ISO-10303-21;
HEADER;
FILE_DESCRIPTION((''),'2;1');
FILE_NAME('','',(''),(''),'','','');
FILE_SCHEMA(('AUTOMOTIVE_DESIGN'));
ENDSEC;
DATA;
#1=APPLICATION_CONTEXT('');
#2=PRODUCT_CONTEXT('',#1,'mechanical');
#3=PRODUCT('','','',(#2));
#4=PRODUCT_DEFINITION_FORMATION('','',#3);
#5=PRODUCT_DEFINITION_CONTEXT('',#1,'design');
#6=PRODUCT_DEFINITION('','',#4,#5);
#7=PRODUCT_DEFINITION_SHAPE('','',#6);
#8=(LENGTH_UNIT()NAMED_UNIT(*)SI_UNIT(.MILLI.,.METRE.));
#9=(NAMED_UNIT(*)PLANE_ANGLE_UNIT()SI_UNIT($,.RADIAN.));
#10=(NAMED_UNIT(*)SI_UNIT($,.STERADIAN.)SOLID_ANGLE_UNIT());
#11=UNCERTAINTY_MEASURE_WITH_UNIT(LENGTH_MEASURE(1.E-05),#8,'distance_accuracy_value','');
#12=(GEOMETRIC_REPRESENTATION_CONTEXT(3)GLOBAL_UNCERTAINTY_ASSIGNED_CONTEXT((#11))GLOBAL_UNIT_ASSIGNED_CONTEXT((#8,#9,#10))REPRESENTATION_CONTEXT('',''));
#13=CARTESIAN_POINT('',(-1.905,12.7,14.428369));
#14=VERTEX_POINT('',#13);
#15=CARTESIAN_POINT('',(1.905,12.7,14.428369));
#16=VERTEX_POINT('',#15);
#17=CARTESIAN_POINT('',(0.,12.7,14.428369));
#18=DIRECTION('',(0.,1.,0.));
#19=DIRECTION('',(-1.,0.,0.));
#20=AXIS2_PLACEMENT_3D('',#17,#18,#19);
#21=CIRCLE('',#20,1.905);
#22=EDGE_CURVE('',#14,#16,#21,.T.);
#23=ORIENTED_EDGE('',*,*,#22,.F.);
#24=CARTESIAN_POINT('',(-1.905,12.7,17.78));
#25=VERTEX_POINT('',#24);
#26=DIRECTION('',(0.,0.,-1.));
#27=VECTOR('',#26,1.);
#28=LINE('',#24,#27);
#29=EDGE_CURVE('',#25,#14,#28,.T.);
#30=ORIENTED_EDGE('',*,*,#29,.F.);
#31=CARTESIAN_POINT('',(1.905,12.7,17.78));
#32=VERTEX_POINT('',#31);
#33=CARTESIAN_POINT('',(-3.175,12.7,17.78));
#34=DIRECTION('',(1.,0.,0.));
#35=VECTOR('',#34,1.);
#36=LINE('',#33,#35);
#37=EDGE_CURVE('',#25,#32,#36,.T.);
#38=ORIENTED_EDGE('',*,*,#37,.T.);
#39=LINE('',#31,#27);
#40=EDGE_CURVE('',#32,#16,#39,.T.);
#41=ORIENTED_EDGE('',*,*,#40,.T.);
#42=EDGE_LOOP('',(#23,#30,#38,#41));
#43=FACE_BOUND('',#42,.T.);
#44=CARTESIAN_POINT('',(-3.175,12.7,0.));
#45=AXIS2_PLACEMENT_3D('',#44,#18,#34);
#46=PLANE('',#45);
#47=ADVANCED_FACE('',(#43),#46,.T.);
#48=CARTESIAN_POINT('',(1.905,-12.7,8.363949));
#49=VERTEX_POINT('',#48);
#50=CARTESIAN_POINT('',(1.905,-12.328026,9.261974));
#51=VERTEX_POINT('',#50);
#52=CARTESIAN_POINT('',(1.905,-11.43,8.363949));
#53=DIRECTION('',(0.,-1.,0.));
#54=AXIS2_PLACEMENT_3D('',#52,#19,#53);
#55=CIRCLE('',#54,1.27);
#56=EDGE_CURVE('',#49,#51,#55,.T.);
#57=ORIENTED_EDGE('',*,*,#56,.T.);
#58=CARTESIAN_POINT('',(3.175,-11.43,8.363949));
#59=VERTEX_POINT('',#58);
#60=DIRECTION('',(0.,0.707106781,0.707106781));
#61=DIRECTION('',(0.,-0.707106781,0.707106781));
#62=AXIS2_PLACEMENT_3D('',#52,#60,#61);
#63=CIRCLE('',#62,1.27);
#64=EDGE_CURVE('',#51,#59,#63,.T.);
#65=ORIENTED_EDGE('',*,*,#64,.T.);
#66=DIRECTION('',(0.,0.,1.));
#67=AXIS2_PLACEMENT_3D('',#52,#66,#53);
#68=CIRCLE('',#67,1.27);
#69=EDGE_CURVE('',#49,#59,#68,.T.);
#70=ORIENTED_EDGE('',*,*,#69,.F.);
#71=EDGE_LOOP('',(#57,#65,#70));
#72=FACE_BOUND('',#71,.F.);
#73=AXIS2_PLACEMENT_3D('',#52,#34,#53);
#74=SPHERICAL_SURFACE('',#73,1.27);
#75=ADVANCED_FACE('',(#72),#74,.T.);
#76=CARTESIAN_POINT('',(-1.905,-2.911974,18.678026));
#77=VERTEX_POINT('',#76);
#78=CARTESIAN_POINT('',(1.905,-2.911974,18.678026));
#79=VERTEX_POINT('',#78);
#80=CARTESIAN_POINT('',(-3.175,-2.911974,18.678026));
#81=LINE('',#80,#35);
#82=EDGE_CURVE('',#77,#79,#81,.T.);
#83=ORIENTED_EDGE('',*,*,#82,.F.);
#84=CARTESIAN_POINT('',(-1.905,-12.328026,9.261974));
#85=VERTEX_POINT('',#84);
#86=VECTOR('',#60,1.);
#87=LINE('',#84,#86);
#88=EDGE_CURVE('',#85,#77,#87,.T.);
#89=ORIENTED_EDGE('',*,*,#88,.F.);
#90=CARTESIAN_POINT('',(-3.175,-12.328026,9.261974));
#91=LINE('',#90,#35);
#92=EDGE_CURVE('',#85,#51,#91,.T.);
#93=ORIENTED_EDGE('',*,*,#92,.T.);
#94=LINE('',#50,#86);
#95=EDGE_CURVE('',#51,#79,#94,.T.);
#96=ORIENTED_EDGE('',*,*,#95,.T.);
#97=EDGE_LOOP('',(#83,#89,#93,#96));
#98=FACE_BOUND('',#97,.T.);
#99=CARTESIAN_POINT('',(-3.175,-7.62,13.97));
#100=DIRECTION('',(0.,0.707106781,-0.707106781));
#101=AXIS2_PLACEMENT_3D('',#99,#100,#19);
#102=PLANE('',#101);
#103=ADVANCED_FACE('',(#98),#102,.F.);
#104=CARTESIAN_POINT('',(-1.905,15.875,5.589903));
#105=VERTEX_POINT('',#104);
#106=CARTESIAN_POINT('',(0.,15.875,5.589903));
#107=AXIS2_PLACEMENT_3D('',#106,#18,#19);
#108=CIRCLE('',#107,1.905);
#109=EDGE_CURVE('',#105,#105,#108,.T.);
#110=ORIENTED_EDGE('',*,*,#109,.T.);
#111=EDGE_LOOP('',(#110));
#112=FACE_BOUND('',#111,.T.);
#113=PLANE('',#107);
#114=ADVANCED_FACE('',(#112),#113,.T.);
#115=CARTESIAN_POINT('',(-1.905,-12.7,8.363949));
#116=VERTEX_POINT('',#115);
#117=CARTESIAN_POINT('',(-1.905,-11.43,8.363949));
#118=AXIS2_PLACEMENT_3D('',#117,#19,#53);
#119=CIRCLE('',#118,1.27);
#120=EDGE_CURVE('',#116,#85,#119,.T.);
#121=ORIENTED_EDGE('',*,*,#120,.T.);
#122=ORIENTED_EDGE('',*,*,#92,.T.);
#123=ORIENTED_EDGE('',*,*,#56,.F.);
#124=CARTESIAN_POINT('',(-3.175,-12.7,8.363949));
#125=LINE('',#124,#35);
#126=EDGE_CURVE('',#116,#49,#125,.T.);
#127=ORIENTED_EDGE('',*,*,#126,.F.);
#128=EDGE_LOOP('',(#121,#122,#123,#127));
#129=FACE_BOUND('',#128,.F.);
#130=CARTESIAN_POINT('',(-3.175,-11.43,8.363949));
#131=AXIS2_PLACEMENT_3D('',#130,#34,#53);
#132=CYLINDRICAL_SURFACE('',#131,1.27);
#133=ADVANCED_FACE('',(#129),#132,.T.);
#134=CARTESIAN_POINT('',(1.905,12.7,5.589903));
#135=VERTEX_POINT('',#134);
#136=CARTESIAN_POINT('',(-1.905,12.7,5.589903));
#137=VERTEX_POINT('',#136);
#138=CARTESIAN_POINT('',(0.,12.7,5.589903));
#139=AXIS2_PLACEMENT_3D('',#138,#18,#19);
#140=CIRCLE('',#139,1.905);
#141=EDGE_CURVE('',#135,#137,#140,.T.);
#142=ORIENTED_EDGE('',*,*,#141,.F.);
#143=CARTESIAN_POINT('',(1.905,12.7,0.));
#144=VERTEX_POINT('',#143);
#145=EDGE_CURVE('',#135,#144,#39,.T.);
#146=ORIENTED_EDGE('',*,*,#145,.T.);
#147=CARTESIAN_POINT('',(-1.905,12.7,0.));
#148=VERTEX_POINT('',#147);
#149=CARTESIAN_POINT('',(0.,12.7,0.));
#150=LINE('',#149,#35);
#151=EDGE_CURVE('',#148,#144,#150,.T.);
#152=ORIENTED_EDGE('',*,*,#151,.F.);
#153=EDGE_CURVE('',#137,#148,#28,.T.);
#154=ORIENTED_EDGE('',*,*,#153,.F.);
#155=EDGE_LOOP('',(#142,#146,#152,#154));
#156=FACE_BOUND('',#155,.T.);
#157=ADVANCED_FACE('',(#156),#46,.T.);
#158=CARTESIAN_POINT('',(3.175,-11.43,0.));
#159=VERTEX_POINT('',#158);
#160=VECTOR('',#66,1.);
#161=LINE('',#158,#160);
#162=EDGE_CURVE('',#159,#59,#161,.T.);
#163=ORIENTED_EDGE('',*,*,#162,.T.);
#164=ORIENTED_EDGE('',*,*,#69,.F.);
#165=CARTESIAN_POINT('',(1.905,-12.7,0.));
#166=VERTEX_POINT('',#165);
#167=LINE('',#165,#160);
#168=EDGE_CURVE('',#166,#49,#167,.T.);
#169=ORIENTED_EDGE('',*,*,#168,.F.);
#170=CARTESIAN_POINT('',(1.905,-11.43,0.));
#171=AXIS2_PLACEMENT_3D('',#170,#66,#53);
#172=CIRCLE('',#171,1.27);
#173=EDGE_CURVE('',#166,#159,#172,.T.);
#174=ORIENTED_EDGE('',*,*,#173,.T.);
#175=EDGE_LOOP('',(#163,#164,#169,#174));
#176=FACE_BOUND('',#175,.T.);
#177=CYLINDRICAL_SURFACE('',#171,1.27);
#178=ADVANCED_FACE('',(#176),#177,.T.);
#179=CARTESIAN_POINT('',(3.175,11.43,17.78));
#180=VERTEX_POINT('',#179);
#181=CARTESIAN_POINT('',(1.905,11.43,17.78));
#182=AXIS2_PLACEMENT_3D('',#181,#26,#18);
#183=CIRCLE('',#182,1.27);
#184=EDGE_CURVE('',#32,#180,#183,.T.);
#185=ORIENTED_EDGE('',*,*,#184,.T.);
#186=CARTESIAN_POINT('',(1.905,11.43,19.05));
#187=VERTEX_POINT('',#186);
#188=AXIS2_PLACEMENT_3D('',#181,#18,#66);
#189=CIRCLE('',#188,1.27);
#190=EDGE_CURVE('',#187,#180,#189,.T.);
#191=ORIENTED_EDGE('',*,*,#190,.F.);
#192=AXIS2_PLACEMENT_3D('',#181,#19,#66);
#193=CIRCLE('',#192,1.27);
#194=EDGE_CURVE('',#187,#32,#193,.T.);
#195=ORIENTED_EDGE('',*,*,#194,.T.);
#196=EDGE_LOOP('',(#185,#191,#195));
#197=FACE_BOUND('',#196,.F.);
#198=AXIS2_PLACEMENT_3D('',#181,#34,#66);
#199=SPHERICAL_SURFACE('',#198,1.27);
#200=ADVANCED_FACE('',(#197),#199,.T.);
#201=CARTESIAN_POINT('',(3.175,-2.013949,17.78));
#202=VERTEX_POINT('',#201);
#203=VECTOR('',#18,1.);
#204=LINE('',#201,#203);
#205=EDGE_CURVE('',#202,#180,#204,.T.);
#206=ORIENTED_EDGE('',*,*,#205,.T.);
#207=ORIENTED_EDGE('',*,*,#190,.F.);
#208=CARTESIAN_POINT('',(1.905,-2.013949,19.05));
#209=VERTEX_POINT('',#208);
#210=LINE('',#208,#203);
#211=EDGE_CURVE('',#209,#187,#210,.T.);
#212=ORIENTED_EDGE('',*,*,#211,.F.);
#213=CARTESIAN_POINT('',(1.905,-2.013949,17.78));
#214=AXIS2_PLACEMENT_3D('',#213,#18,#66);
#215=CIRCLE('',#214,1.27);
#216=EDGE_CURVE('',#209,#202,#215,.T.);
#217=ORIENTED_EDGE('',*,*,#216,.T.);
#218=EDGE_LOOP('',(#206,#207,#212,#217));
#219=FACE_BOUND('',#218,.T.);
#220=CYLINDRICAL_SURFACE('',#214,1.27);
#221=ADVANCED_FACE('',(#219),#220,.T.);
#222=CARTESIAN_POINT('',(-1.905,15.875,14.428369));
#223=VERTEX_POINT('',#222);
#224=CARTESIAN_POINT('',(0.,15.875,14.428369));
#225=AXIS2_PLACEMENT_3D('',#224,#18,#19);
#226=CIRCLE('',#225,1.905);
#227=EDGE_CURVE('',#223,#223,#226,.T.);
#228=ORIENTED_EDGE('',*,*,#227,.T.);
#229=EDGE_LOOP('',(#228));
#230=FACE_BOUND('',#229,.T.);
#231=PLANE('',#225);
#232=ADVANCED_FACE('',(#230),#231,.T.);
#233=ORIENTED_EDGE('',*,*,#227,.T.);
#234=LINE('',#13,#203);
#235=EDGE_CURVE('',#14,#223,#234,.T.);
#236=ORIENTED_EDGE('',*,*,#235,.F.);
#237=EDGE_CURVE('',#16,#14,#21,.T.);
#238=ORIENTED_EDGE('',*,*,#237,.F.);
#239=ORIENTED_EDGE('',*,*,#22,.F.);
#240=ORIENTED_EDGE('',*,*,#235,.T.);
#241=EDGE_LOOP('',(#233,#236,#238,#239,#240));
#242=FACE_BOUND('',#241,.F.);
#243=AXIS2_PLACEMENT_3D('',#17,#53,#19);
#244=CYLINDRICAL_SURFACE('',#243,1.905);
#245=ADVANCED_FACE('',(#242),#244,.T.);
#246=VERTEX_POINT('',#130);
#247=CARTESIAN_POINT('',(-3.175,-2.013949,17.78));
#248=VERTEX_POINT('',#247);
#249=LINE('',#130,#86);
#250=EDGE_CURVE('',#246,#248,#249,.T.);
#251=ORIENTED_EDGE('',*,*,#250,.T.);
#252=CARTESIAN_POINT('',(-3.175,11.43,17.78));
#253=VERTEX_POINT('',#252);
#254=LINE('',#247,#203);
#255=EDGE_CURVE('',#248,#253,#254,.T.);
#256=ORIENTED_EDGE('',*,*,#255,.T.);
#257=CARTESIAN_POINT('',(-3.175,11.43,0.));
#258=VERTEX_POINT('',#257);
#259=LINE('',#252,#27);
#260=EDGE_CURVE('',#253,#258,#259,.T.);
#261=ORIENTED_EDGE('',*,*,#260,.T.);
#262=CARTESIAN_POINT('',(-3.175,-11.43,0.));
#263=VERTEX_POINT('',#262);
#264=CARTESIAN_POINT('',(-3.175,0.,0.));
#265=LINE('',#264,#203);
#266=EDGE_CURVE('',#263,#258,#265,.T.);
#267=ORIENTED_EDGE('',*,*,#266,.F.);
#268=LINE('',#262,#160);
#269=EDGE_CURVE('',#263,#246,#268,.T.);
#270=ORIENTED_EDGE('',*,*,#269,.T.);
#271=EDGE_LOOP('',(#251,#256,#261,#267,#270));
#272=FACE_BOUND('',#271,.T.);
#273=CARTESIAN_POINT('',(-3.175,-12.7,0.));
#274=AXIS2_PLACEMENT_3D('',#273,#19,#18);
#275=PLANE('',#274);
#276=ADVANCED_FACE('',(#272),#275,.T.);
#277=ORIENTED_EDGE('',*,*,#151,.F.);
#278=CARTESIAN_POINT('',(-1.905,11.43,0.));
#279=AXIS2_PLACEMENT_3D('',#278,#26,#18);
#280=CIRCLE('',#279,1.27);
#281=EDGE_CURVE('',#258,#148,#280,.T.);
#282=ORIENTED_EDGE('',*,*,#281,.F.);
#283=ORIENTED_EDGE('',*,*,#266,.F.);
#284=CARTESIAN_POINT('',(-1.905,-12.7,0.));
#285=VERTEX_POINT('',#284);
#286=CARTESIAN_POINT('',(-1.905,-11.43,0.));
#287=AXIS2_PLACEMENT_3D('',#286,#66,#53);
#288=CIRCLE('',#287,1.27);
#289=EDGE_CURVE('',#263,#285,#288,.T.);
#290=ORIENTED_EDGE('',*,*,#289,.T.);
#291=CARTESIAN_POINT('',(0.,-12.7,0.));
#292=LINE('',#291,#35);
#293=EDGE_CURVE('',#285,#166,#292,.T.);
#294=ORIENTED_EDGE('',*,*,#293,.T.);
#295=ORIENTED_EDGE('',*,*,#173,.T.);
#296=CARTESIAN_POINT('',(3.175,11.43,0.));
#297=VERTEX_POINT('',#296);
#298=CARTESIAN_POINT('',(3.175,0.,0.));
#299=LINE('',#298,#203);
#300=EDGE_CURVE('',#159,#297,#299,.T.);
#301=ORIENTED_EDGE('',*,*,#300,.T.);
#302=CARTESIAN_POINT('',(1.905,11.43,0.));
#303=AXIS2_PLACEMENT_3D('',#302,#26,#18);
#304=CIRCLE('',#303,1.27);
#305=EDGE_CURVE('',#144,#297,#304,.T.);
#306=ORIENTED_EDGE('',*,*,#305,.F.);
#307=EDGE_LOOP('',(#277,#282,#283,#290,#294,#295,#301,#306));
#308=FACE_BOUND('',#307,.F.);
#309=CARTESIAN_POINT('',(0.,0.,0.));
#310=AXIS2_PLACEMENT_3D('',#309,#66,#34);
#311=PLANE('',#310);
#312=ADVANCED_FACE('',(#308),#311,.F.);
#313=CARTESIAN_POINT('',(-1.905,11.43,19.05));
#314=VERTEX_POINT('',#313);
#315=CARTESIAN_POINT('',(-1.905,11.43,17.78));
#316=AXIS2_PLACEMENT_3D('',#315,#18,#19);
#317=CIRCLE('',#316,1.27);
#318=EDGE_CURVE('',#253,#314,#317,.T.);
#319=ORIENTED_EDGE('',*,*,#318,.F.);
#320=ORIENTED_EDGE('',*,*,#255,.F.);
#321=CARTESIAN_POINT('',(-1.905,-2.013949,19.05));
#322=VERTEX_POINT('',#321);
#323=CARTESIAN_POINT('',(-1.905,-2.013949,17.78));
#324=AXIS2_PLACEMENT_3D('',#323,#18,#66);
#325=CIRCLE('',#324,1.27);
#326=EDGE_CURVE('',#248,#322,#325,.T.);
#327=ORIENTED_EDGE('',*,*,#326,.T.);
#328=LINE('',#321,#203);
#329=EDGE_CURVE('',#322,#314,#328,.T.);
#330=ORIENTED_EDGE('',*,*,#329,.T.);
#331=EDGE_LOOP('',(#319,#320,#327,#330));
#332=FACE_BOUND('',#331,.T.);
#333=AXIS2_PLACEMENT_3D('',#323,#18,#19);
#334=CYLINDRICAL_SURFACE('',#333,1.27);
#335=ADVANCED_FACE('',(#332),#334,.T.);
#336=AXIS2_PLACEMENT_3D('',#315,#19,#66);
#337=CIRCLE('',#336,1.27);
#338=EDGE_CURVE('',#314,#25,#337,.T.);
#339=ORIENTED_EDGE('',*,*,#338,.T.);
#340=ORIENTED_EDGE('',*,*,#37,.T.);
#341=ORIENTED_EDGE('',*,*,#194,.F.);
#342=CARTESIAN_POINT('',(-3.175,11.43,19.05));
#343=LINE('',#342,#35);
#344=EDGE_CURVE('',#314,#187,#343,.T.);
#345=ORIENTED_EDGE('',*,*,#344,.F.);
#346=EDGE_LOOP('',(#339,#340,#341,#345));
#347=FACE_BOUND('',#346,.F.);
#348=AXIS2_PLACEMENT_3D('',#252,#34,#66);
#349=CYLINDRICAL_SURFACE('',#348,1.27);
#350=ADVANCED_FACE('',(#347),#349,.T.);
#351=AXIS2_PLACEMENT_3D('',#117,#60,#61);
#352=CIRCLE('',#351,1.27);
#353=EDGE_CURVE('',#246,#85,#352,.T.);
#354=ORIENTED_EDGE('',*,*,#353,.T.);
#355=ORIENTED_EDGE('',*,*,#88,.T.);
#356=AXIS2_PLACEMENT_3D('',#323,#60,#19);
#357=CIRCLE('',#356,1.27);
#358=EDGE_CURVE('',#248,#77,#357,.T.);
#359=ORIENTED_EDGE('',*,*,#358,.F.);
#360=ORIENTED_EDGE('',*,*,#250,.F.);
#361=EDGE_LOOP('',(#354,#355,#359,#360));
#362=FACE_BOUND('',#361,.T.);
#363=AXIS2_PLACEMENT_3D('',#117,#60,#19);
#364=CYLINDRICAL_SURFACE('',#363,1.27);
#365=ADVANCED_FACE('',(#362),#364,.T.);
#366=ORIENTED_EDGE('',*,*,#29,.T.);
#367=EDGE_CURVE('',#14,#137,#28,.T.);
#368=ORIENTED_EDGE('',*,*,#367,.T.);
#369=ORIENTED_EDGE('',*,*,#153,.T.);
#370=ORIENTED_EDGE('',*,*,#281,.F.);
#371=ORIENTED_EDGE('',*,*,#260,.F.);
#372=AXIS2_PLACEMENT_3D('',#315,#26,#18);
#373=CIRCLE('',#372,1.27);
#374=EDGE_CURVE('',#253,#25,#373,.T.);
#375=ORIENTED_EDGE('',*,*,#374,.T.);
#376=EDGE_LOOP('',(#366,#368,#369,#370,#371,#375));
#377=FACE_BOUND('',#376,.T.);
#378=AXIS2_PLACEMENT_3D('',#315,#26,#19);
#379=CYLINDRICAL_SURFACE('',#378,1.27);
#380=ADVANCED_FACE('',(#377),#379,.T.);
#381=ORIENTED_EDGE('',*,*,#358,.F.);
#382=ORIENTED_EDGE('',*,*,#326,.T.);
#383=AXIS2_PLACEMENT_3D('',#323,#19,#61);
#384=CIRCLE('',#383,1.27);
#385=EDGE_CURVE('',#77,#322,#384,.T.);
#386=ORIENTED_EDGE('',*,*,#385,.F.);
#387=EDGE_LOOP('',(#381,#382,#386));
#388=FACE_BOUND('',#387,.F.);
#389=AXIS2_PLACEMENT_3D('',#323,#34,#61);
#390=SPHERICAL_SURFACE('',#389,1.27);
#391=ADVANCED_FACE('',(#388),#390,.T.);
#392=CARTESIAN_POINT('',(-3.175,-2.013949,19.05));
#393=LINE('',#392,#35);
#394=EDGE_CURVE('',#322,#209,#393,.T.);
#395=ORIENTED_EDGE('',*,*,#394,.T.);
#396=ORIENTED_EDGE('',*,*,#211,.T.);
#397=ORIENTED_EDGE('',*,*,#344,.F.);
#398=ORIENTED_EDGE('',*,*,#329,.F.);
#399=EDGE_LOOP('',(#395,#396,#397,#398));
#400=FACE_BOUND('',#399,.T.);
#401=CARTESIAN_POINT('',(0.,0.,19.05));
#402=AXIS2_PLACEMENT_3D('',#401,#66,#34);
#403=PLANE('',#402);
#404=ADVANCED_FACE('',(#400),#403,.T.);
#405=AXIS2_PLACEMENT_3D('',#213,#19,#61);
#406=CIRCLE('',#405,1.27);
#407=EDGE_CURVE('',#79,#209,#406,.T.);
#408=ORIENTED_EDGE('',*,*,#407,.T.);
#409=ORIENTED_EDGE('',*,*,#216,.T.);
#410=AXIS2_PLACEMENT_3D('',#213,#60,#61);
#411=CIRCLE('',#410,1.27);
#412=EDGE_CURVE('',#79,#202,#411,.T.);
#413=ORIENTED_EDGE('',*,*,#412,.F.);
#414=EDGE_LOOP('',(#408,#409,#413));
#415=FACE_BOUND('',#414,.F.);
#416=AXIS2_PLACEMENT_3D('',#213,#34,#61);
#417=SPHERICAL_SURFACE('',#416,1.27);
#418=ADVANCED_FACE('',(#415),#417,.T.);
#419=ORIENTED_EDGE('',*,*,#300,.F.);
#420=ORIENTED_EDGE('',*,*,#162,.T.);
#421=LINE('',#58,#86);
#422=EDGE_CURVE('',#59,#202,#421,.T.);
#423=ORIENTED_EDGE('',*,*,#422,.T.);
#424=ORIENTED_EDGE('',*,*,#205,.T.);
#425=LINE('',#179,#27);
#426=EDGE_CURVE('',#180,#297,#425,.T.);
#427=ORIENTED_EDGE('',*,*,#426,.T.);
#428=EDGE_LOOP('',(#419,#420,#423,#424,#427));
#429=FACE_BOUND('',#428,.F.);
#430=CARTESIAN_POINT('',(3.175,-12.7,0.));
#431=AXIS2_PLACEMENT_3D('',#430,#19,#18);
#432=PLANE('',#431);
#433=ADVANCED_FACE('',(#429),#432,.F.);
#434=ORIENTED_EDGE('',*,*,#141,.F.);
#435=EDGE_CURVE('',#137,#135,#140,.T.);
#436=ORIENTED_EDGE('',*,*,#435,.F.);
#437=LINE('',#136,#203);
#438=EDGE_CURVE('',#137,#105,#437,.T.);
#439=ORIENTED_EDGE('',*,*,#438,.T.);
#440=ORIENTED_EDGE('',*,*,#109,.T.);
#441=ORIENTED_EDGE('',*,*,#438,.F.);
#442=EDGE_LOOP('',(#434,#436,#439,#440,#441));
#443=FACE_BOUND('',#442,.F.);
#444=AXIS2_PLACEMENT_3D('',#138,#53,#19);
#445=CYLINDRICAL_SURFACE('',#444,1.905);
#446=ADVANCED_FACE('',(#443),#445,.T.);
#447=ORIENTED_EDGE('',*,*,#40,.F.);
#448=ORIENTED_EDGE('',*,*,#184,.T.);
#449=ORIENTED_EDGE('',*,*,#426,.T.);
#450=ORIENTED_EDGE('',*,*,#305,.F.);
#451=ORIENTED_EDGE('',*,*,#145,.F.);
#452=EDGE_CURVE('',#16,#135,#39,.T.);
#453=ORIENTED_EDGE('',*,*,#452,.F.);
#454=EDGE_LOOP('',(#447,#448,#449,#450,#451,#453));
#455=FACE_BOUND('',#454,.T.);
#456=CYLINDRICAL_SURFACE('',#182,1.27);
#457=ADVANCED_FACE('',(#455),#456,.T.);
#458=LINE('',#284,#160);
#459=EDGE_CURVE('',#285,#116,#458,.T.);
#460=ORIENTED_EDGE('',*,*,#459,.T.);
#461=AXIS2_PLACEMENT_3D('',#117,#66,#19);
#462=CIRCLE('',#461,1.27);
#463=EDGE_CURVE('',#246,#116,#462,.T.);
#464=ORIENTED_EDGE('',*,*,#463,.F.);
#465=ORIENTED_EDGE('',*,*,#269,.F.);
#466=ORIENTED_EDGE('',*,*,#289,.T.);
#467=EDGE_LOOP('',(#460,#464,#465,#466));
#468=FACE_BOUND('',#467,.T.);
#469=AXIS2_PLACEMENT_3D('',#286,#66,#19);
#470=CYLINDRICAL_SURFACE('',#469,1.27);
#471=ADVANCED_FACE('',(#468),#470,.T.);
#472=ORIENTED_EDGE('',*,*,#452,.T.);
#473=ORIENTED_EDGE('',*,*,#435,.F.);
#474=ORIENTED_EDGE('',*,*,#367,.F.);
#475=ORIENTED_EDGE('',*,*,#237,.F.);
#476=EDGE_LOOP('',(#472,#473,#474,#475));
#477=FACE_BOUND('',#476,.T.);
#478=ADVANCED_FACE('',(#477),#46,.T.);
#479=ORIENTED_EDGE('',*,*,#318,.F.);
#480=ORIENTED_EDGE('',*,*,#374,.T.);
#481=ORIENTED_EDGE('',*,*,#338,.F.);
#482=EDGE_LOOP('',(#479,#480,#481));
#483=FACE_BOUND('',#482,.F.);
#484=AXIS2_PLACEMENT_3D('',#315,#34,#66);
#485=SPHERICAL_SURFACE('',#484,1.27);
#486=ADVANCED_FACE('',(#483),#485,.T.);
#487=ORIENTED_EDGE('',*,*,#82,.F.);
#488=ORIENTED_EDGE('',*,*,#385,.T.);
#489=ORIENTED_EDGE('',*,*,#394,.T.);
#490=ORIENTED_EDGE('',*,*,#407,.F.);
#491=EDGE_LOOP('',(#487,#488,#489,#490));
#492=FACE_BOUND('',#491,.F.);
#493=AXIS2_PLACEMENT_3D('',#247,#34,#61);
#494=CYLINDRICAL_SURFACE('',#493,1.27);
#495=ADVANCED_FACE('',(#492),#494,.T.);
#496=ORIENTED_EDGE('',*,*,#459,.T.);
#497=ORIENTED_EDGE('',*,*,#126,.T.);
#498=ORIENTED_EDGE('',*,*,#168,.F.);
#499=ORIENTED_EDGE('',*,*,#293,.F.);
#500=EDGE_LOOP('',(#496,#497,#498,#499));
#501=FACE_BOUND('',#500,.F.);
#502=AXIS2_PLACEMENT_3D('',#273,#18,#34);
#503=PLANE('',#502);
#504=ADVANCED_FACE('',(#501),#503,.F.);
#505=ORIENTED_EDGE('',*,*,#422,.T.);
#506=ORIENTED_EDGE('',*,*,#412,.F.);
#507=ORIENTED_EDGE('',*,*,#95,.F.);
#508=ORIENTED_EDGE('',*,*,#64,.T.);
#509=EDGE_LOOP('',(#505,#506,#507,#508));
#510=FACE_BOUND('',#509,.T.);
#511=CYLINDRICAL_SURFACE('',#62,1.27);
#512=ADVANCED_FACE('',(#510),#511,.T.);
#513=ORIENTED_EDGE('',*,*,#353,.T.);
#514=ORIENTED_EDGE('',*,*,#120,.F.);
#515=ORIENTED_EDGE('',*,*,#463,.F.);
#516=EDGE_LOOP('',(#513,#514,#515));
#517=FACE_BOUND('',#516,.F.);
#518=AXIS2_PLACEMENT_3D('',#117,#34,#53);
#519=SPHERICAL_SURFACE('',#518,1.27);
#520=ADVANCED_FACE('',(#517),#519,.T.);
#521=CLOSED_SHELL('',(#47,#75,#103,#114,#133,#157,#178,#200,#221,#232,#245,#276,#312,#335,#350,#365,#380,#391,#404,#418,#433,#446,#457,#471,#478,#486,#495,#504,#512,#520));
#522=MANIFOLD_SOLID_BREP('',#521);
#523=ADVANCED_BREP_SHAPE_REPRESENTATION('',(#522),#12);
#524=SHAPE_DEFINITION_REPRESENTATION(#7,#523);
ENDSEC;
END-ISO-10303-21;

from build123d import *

# Parameters (mm, degrees)
F0_W     = 6.35
F0_H     = 25.4
F1_DEPTH = 19.05
F2_SIZE  = 10.16
F3_R     = 1.27
F4_R     = 1.27
F5_R     = 1.905
F6_DEPTH = 3.175


with BuildPart() as f1:
    # F0 (on Top) → F1 (new body)
    with BuildSketch(Plane.XY):
        Rectangle(F0_W, F0_H)
    extrude(amount=F1_DEPTH)

    # F2
    f2_edges = [f1.edges().sort_by_distance(p)[0] for p in [
        (0, -12.7, 19.05),
    ]]
    chamfer(f2_edges, length=F2_SIZE)

    # F3
    f3_edges = [f1.edges().sort_by_distance(p)[0] for p in [
        (0, 12.7, 19.05),
        (0, -2.54, 19.05),
        (0, -12.7, 8.89),
    ]]
    fillet(f3_edges, radius=F3_R)

    # F4
    f4_edges = [f1.edges().sort_by_distance(p)[0] for p in [
        (3.175, -12.7, 4.181974),
        (3.175, -7.62, 13.97),
        (-3.175, -12.7, 4.181974),
        (-3.175, -7.62, 13.97),
        (-3.175, -12.603327, 8.849957),
        (3.175, -12.603327, 8.849957),
        (3.175, -2.499957, 18.953327),
        (3.175, 4.708026, 19.05),
        (-3.175, -2.499957, 18.953327),
        (-3.175, 4.708026, 19.05),
        (-3.175, 12.328026, 18.678026),
        (3.175, 12.328026, 18.678026),
        (3.175, 12.7, 8.89),
        (-3.175, 12.7, 8.89),
    ]]
    fillet(f4_edges, radius=F4_R)

    # F5 (on face) → F6 (join)
    with BuildSketch(Plane(origin=(0, 12.7, 0), x_dir=(-1, 0, 0), z_dir=(0, 1, 0))):
        with Locations((0, 14.4283687696)):
            Circle(F5_R)
        with Locations((0, 5.5899028666)):
            Circle(F5_R)
    extrude(amount=F6_DEPTH)


solid = f1.part
